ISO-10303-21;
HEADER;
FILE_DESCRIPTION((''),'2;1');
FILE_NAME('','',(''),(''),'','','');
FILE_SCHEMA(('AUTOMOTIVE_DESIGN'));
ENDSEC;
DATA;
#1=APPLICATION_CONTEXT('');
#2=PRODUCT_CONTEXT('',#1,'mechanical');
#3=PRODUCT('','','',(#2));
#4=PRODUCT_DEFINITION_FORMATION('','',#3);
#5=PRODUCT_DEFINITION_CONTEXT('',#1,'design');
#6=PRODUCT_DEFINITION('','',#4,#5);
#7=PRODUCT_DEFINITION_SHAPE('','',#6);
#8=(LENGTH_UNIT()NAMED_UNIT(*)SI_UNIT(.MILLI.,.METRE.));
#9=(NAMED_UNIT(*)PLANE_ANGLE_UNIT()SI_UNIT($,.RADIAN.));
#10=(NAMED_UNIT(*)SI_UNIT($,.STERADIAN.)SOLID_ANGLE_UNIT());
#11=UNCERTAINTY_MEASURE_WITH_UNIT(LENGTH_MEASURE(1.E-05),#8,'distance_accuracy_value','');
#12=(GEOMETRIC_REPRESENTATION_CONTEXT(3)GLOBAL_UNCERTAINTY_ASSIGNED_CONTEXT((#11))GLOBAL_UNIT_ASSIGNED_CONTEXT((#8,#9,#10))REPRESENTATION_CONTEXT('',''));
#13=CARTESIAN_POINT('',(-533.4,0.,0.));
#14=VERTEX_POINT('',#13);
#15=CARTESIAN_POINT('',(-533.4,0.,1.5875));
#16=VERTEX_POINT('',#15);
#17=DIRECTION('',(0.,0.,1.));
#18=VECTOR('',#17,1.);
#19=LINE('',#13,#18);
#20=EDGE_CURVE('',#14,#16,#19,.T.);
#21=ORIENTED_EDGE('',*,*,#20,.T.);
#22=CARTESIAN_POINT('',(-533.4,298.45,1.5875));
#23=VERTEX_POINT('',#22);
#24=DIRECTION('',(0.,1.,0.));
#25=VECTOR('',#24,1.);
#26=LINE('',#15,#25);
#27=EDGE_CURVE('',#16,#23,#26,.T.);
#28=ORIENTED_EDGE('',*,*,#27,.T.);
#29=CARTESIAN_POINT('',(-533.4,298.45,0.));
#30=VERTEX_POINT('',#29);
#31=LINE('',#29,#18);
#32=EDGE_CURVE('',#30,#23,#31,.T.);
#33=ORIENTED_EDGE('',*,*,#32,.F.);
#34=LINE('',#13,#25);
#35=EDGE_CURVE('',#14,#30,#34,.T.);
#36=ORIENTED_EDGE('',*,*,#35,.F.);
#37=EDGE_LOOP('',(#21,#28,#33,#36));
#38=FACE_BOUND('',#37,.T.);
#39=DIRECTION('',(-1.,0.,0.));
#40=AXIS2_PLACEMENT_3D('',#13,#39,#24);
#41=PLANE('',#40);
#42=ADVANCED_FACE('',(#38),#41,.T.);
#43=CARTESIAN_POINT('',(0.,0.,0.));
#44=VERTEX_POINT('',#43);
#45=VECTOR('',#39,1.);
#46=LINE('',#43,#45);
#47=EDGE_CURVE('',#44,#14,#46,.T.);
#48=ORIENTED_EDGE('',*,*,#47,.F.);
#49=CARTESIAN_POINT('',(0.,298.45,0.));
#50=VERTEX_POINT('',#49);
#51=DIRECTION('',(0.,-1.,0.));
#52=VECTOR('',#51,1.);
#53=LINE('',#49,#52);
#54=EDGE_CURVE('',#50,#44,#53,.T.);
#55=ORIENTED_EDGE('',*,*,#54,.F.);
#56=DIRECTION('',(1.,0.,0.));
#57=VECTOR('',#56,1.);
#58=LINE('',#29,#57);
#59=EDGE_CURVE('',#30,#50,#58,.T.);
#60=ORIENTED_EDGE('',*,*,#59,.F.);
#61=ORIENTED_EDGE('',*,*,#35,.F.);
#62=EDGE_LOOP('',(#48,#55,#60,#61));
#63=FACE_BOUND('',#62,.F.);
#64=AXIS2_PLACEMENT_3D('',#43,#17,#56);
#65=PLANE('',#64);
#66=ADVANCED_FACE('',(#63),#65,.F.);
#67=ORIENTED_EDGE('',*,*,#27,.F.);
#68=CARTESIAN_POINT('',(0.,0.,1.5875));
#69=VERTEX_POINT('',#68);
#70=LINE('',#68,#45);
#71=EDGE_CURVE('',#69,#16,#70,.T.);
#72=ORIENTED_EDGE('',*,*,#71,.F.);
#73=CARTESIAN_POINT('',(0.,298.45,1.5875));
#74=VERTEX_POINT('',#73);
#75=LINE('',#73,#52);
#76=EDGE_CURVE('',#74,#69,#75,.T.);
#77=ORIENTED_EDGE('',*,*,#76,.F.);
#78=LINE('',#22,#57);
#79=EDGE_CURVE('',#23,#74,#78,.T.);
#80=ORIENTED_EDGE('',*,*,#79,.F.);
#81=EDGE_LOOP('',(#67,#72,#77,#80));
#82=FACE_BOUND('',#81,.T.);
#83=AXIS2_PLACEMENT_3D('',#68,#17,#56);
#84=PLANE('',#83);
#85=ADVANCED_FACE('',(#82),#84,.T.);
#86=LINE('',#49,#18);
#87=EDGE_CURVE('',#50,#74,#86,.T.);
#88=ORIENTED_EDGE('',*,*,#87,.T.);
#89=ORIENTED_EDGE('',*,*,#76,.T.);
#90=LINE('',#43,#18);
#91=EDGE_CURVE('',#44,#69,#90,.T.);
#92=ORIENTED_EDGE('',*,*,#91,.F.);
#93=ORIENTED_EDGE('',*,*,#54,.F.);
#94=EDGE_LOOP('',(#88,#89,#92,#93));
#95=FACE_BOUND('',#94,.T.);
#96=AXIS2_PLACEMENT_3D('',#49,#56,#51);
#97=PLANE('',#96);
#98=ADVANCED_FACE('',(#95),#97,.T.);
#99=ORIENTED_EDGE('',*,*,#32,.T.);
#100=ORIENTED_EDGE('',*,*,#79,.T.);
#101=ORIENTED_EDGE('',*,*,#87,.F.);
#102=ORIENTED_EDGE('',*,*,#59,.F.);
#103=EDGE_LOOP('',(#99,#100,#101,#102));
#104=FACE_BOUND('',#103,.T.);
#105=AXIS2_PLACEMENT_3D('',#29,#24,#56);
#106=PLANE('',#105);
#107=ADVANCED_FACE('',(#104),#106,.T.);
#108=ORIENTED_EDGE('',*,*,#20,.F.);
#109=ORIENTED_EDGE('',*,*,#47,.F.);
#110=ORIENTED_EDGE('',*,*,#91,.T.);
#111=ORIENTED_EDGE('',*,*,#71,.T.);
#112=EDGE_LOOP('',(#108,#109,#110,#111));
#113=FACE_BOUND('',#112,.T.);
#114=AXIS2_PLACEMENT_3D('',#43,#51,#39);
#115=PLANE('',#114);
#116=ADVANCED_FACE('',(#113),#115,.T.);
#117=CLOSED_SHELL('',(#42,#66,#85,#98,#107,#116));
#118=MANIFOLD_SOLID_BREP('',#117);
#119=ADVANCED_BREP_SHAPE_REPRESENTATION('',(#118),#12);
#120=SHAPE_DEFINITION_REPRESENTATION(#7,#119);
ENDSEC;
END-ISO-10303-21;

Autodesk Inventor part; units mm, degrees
ref_plane "YZ Plane" through (0, 0, 0) normal (1, 0, 0) x (0, 1, 0)
ref_plane "XZ Plane" through (0, 0, 0) normal (0, 1, 0) x (-1, 0, 0)
ref_plane "XY Plane" through (0, 0, 0) normal (0, 0, 1) x (1, 0, 0)
sketch "Sketch1" plane through (0, 0, 0) normal (0, 0, 1) x (1, 0, 0)
  line L0 (0, 0) -> (-533.4, 0)
  line L1 (-533.4, 0) -> (-533.4, 298.45)
  line L2 (-533.4, 298.45) -> (0, 298.45)
  line L3 (0, 298.45) -> (0, 0)
  dimension "d0" = 533.4
  dimension "d1" = 298.45
extrude "Extrusion1" add sketch "Sketch1" along normal blind 1.5875
properties part number "skid plate back" material "Aluminum 6061"
